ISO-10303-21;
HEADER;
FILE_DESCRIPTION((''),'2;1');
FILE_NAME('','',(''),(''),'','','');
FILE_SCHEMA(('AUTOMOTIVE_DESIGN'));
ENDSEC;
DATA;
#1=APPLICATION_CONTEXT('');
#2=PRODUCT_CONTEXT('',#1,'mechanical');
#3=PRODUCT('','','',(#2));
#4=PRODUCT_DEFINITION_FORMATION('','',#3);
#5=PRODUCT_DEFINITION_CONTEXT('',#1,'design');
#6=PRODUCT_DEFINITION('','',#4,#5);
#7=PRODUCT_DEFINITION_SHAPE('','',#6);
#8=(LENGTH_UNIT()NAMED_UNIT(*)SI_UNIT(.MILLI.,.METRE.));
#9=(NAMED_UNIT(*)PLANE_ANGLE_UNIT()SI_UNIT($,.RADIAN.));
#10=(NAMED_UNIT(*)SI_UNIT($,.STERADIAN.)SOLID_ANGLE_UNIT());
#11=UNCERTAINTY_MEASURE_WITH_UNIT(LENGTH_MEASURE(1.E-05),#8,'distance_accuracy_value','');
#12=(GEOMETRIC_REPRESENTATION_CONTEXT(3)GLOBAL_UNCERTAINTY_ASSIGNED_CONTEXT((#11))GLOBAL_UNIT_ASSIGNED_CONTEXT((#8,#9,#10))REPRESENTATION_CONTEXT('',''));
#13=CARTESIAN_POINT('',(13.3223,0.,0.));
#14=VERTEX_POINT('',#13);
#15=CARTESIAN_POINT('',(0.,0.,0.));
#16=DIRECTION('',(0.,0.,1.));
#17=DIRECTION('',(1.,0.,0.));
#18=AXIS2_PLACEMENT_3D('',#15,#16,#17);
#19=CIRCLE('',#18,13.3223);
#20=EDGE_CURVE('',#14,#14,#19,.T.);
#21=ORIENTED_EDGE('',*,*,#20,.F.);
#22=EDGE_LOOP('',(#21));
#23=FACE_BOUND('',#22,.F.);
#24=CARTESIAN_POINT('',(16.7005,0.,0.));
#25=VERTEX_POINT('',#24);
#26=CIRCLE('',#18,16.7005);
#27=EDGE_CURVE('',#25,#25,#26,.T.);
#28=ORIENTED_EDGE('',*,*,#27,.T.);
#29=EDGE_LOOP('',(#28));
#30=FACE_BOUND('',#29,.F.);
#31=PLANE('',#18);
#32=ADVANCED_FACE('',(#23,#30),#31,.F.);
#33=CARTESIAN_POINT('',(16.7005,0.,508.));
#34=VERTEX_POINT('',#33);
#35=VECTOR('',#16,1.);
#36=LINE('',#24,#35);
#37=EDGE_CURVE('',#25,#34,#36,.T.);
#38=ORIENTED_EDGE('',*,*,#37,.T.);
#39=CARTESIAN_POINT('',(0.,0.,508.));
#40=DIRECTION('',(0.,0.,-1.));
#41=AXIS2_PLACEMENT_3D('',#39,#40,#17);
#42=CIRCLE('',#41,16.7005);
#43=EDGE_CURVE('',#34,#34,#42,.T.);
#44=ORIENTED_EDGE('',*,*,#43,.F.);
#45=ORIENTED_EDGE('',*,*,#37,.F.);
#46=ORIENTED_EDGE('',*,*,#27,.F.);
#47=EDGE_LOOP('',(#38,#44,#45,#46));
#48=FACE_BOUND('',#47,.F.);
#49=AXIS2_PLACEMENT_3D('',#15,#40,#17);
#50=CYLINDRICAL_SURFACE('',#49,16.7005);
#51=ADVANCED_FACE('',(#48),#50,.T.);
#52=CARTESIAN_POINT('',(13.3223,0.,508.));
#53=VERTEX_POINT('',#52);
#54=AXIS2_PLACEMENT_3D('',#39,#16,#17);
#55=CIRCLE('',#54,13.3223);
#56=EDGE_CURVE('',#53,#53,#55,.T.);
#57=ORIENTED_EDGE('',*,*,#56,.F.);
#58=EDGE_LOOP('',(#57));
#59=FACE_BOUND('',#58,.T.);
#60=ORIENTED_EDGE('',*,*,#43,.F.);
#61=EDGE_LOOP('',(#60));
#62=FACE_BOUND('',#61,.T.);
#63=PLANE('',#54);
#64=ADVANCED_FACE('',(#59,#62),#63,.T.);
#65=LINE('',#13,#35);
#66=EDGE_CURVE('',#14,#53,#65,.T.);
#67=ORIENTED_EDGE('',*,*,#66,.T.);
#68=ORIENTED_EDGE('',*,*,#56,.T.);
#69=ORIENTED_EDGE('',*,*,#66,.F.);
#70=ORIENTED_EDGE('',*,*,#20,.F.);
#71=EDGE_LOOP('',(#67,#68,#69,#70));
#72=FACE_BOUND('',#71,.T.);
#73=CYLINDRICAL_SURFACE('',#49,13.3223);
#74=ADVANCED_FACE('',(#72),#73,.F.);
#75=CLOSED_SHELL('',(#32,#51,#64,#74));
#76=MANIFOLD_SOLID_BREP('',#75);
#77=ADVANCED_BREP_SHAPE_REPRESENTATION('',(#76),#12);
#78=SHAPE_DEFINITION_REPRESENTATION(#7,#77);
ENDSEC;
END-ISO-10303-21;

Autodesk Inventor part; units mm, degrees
ref_plane "Start plane" through (0, 0, 0) normal (0, 0, 1) x (1, 0, 0)
ref_plane "End plane" through (0, 0, 508) normal (0, 0, 1) x (1, 0, 0)
sketch "Sketch" plane through (0, 0, 0) normal (0, 0, 1) x (1, 0, 0)
  circle A0 centre (0, 0) radius 13.3223
  circle A1 centre (0, 0) radius 16.7005
  dimension "d0" = 33.401
  dimension "d1" = 3.3782
extrude "Body" add sketch "Sketch" along normal up to surface (508 mm away) from surface at 0
sketch "Sketch3" plane through (0, 0, 0) normal (0, 0, 1) x (1, 0, 0)
  line L0 (0, 0) -> (10, 0)
ref_plane "Work Plane3" through (0, 0, 0) normal (0, -1, 0) x (1, 0, 0)
sketch "Sketch4" plane through (0, 0, 0) normal (0, -1, 0) x (1, 0, 0)
  line L0 (-2, 0) -> (12, 0)
  line L1 (-2, 508) -> (12, 508)
  dimension "d7" = 508
ref_plane "Work Plane4" through (0, 6491.605, 541.401) normal (0, 0.7071, -0.7071) x (1, 0, 0)
ref_plane "Work Plane5" through (0, -6558.407, 541.401) normal (0, -0.7071, -0.7071) x (1, 0, 0)
ref_plane "Work Plane6" through (0, -33.401, 524.7005) normal (0, -1, 0) x (1, 0, 0)
sketch "Sketch5" plane through (0, -33.401, 524.7005) normal (0, -1, 0) x (1, 0, 0)
  circle A0 centre (0, 0) radius 16.7005
  circle A1 centre (0, 0) radius 13.3223
extrude "Extrusion2" cut sketch "Sketch5" along normal up to surface from surface at -6525.006 contours A0 | A1 surface through (0, -6558.407, 541.401) normal (0, -0.7071, -0.7071)
equation "\"d0\" = G_H"
equation "\"d1\" = G_T"
equation "\"d2\" = G_L"
equation "\"G_H\" = 33.401"
equation "\"G_T\" = 3.3782"
equation "\"G_L\" = d7"
equation "\"G_OFFSET_START\" = 0"
equation "\"G_OFFSET_END\" = 0"
equation "\"d5\" = G_OFFSET_END + B_L"
equation "\"B_L\" = 508"
properties part number "ANSI - 1 x 0.133 - 20" material "Aluminum 6061"
